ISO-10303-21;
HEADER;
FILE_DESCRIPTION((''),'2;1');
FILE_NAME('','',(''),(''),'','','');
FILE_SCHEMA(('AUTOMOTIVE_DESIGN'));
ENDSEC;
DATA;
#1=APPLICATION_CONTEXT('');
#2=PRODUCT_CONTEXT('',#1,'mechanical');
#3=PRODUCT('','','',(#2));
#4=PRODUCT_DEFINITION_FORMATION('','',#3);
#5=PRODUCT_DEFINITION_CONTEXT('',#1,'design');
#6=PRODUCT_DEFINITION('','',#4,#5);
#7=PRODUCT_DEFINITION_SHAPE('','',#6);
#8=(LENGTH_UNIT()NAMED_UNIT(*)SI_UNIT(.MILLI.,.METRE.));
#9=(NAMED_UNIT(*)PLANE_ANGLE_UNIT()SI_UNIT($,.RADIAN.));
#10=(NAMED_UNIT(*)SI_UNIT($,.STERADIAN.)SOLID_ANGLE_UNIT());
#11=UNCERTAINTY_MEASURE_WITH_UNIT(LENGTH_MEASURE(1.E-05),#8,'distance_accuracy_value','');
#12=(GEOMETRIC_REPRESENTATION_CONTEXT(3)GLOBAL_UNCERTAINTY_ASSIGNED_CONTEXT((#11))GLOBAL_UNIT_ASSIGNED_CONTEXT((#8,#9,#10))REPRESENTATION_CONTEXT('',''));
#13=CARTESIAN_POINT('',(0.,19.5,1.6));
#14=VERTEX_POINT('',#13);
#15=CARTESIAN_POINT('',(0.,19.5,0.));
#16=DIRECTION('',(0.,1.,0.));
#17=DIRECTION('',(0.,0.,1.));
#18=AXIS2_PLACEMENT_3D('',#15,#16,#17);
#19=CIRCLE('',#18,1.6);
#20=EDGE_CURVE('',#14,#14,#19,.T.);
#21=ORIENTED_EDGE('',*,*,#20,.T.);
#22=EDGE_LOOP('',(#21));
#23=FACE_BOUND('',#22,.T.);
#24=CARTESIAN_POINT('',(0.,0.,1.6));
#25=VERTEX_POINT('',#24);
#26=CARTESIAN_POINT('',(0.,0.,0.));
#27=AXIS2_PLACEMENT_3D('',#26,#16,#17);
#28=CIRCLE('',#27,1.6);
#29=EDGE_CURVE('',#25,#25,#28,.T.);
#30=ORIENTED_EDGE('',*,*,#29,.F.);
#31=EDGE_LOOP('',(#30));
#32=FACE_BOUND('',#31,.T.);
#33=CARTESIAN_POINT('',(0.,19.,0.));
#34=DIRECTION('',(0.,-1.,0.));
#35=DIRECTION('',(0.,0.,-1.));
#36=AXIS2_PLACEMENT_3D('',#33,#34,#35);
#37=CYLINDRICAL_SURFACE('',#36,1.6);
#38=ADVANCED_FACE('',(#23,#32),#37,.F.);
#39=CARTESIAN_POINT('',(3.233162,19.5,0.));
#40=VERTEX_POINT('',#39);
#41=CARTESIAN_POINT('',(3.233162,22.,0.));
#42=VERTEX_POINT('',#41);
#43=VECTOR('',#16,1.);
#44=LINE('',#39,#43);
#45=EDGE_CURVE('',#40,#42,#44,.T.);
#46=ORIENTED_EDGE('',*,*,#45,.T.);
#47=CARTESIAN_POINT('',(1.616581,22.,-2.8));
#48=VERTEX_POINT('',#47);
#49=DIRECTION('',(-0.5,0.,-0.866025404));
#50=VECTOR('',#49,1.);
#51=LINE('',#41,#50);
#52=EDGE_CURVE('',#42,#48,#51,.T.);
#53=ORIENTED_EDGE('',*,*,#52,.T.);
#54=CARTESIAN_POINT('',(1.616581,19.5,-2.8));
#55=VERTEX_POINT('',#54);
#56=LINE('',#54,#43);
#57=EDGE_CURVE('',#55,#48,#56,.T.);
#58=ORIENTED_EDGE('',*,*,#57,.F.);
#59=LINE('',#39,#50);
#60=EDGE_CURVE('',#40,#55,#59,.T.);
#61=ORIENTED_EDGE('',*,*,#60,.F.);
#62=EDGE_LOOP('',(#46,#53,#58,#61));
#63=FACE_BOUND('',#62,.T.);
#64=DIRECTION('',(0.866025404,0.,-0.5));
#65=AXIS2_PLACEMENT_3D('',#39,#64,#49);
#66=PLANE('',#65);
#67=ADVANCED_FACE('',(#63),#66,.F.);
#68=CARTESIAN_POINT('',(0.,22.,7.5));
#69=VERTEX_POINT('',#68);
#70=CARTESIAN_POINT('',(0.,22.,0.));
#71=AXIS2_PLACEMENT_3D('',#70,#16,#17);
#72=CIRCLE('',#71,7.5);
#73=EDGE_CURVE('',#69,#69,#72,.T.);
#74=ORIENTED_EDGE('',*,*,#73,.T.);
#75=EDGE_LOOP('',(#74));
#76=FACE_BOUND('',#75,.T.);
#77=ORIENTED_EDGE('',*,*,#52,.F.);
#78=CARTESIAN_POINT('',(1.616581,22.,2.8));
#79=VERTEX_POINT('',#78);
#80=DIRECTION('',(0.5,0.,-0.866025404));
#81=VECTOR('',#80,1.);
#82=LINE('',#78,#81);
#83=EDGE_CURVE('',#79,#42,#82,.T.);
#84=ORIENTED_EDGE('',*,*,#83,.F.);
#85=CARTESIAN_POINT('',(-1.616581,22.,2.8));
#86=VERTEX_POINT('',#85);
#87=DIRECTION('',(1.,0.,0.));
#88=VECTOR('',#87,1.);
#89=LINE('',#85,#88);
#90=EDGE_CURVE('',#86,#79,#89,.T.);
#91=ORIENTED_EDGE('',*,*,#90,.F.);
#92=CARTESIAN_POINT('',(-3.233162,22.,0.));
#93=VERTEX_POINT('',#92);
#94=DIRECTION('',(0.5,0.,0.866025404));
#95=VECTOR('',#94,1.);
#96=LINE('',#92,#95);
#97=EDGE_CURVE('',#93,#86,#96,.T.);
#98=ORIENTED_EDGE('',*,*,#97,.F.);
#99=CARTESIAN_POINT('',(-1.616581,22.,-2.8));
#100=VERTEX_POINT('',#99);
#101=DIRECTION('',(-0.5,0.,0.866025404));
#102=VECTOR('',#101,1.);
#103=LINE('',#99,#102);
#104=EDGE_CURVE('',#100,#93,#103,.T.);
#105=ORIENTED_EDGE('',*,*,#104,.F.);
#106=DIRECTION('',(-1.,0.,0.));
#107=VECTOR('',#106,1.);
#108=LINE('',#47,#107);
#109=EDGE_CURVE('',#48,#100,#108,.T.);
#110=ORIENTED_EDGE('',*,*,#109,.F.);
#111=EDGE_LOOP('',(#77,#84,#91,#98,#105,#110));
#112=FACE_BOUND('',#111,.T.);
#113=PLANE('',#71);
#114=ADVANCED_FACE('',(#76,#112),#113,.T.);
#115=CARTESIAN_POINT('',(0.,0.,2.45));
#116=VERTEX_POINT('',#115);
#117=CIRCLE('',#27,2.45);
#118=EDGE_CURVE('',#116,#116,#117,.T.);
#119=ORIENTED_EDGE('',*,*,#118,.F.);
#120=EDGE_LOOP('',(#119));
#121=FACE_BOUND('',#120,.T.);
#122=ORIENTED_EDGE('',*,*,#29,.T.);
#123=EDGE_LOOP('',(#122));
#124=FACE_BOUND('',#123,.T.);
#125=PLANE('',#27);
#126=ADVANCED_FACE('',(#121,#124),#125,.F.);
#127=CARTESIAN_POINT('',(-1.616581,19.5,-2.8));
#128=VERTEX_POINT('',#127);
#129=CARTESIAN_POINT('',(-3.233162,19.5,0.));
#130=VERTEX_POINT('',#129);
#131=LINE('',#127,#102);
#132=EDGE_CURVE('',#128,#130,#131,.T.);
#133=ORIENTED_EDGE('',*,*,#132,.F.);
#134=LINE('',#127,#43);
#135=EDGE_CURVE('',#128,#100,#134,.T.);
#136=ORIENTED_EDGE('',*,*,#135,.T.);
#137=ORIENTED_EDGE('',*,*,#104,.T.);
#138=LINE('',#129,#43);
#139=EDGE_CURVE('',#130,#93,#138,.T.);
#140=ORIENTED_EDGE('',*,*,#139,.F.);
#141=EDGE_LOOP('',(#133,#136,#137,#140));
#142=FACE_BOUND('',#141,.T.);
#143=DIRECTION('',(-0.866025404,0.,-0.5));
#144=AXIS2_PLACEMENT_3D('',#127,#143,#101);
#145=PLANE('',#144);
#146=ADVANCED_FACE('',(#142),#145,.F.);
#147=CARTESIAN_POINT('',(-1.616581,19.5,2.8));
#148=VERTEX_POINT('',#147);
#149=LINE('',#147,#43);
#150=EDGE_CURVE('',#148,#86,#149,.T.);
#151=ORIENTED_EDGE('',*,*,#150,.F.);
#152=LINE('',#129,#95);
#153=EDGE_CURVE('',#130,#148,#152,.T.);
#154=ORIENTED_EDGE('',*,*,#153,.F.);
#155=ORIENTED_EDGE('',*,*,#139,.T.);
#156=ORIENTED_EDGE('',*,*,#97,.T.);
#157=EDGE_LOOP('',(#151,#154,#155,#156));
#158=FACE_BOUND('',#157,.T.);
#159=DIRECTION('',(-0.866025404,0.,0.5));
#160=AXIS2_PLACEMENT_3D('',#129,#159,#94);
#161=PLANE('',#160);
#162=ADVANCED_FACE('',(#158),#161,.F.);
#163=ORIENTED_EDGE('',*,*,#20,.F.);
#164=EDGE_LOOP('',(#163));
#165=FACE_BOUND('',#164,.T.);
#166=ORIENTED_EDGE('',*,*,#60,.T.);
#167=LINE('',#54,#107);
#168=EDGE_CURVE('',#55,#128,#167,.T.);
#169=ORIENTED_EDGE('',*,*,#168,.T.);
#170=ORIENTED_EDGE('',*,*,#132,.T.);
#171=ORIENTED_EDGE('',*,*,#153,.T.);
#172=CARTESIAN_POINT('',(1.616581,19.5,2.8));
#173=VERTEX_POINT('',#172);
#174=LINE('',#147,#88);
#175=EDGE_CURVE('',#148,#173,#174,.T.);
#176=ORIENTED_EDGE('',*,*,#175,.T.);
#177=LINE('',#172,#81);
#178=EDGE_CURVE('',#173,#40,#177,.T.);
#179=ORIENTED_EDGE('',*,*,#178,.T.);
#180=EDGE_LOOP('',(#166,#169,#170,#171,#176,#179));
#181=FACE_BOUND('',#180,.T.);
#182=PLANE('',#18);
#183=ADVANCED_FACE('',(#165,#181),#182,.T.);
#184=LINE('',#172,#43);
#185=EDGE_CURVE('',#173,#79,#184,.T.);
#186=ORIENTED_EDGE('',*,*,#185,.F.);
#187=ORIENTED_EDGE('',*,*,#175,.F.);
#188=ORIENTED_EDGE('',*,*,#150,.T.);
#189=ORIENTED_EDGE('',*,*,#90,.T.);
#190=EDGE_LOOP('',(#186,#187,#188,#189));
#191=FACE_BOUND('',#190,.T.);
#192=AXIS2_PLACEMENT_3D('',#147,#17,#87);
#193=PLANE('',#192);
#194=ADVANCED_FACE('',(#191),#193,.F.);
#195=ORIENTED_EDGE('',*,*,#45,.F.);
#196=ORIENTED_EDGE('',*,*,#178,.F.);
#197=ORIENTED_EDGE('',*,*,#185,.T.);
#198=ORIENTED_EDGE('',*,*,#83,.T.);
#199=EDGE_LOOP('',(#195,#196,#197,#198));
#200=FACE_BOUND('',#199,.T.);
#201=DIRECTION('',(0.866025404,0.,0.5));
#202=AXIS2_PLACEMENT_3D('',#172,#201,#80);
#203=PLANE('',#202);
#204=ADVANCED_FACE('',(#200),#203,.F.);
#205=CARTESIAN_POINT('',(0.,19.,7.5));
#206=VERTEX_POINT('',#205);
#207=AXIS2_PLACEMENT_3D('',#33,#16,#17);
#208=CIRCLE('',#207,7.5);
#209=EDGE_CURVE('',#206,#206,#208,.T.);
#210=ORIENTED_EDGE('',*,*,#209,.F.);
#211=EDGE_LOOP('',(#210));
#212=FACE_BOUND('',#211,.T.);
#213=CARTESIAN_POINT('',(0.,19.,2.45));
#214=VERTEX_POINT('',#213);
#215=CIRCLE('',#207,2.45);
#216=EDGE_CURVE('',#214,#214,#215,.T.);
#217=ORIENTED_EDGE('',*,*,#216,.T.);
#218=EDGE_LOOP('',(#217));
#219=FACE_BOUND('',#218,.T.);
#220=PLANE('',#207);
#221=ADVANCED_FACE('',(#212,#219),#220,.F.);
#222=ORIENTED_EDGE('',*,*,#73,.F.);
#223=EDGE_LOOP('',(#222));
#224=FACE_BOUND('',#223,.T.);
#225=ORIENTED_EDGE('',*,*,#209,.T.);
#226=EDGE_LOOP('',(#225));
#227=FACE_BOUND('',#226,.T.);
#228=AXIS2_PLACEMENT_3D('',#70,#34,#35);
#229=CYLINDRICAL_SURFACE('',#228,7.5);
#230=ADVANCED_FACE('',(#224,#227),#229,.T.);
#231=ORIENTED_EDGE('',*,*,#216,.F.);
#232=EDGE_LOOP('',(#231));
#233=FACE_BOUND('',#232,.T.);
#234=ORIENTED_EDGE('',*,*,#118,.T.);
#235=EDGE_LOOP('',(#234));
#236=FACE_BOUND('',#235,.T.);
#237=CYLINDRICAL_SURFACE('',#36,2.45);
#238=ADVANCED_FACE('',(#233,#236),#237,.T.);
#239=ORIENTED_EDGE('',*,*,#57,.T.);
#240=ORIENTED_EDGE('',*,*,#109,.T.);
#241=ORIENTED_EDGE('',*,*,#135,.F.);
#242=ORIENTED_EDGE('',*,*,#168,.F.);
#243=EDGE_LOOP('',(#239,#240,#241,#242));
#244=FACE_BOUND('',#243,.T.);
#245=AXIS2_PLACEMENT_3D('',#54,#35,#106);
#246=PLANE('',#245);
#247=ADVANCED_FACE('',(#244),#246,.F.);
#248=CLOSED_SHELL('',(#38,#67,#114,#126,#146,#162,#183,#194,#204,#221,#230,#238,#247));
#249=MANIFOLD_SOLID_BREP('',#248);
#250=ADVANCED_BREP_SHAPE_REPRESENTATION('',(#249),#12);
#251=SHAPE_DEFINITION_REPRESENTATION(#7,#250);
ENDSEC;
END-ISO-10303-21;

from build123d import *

# Parameters (mm, degrees)
SKETCH1_R           = 2.45
SKETCH1_R_2         = 1.6
BOSS_EXTRUDE1_DEPTH = 19
SKETCH2_R           = 7.5
BOSS_EXTRUDE2_DEPTH = 3
CUT_EXTRUDE1_REACH  = 26.423
SKETCH3_R           = 1.6
CUT_EXTRUDE2_DEPTH  = 2.5


with BuildPart() as part:
    # Sketch1 → Boss-Extrude1 (new body)
    with BuildSketch(Plane(origin=(0, 0, 0), x_dir=(1, 0, 0), z_dir=(0, 1, 0))):
        with Locations(Location((0, 0, 0), (0, 0, 270))):
            Circle(SKETCH1_R)
        with Locations(Location((0, 0, 0), (0, 0, 270))):
            Circle(SKETCH1_R_2, mode=Mode.SUBTRACT)
    extrude(amount=BOSS_EXTRUDE1_DEPTH)

    # Sketch2 → Boss-Extrude2 (add)
    with BuildSketch(Plane(origin=(0, 19, 0), x_dir=(1, 0, 0), z_dir=(0, 1, 0))):
        with Locations(Location((0, 0, 0), (0, 0, 270))):
            Circle(SKETCH2_R)
    extrude(amount=BOSS_EXTRUDE2_DEPTH)

    # Sketch3 → Cut-Extrude1 (cut, up to next)
    with BuildSketch(Plane(origin=(0, 22, 0), x_dir=(1, 0, 0), z_dir=(0, 1, 0)), mode=Mode.PRIVATE) as cut_extrude1_sk1:
        with Locations(Location((0, 0, 0), (0, 0, 270))):
            Circle(SKETCH3_R)
    cut_extrude1_tool1 = extrude(cut_extrude1_sk1.sketch, amount=-CUT_EXTRUDE1_REACH, mode=Mode.PRIVATE) & part.part
    add(cut_extrude1_tool1.solids().sort_by_distance((0, 22, 0))[0], mode=Mode.SUBTRACT)

    # Sketch4 → Cut-Extrude2 (cut)
    with BuildSketch(Plane(origin=(0, 22, 0), x_dir=(1, 0, 0), z_dir=(0, 1, 0))):
        Polygon((3.233161507, 0), (1.616580754, 2.8), (-1.616580754, 2.8), (-3.233161507, 0), (-1.616580754, -2.8), (1.616580754, -2.8), align=None)
    extrude(amount=-CUT_EXTRUDE2_DEPTH, mode=Mode.SUBTRACT)


solid = part.part
